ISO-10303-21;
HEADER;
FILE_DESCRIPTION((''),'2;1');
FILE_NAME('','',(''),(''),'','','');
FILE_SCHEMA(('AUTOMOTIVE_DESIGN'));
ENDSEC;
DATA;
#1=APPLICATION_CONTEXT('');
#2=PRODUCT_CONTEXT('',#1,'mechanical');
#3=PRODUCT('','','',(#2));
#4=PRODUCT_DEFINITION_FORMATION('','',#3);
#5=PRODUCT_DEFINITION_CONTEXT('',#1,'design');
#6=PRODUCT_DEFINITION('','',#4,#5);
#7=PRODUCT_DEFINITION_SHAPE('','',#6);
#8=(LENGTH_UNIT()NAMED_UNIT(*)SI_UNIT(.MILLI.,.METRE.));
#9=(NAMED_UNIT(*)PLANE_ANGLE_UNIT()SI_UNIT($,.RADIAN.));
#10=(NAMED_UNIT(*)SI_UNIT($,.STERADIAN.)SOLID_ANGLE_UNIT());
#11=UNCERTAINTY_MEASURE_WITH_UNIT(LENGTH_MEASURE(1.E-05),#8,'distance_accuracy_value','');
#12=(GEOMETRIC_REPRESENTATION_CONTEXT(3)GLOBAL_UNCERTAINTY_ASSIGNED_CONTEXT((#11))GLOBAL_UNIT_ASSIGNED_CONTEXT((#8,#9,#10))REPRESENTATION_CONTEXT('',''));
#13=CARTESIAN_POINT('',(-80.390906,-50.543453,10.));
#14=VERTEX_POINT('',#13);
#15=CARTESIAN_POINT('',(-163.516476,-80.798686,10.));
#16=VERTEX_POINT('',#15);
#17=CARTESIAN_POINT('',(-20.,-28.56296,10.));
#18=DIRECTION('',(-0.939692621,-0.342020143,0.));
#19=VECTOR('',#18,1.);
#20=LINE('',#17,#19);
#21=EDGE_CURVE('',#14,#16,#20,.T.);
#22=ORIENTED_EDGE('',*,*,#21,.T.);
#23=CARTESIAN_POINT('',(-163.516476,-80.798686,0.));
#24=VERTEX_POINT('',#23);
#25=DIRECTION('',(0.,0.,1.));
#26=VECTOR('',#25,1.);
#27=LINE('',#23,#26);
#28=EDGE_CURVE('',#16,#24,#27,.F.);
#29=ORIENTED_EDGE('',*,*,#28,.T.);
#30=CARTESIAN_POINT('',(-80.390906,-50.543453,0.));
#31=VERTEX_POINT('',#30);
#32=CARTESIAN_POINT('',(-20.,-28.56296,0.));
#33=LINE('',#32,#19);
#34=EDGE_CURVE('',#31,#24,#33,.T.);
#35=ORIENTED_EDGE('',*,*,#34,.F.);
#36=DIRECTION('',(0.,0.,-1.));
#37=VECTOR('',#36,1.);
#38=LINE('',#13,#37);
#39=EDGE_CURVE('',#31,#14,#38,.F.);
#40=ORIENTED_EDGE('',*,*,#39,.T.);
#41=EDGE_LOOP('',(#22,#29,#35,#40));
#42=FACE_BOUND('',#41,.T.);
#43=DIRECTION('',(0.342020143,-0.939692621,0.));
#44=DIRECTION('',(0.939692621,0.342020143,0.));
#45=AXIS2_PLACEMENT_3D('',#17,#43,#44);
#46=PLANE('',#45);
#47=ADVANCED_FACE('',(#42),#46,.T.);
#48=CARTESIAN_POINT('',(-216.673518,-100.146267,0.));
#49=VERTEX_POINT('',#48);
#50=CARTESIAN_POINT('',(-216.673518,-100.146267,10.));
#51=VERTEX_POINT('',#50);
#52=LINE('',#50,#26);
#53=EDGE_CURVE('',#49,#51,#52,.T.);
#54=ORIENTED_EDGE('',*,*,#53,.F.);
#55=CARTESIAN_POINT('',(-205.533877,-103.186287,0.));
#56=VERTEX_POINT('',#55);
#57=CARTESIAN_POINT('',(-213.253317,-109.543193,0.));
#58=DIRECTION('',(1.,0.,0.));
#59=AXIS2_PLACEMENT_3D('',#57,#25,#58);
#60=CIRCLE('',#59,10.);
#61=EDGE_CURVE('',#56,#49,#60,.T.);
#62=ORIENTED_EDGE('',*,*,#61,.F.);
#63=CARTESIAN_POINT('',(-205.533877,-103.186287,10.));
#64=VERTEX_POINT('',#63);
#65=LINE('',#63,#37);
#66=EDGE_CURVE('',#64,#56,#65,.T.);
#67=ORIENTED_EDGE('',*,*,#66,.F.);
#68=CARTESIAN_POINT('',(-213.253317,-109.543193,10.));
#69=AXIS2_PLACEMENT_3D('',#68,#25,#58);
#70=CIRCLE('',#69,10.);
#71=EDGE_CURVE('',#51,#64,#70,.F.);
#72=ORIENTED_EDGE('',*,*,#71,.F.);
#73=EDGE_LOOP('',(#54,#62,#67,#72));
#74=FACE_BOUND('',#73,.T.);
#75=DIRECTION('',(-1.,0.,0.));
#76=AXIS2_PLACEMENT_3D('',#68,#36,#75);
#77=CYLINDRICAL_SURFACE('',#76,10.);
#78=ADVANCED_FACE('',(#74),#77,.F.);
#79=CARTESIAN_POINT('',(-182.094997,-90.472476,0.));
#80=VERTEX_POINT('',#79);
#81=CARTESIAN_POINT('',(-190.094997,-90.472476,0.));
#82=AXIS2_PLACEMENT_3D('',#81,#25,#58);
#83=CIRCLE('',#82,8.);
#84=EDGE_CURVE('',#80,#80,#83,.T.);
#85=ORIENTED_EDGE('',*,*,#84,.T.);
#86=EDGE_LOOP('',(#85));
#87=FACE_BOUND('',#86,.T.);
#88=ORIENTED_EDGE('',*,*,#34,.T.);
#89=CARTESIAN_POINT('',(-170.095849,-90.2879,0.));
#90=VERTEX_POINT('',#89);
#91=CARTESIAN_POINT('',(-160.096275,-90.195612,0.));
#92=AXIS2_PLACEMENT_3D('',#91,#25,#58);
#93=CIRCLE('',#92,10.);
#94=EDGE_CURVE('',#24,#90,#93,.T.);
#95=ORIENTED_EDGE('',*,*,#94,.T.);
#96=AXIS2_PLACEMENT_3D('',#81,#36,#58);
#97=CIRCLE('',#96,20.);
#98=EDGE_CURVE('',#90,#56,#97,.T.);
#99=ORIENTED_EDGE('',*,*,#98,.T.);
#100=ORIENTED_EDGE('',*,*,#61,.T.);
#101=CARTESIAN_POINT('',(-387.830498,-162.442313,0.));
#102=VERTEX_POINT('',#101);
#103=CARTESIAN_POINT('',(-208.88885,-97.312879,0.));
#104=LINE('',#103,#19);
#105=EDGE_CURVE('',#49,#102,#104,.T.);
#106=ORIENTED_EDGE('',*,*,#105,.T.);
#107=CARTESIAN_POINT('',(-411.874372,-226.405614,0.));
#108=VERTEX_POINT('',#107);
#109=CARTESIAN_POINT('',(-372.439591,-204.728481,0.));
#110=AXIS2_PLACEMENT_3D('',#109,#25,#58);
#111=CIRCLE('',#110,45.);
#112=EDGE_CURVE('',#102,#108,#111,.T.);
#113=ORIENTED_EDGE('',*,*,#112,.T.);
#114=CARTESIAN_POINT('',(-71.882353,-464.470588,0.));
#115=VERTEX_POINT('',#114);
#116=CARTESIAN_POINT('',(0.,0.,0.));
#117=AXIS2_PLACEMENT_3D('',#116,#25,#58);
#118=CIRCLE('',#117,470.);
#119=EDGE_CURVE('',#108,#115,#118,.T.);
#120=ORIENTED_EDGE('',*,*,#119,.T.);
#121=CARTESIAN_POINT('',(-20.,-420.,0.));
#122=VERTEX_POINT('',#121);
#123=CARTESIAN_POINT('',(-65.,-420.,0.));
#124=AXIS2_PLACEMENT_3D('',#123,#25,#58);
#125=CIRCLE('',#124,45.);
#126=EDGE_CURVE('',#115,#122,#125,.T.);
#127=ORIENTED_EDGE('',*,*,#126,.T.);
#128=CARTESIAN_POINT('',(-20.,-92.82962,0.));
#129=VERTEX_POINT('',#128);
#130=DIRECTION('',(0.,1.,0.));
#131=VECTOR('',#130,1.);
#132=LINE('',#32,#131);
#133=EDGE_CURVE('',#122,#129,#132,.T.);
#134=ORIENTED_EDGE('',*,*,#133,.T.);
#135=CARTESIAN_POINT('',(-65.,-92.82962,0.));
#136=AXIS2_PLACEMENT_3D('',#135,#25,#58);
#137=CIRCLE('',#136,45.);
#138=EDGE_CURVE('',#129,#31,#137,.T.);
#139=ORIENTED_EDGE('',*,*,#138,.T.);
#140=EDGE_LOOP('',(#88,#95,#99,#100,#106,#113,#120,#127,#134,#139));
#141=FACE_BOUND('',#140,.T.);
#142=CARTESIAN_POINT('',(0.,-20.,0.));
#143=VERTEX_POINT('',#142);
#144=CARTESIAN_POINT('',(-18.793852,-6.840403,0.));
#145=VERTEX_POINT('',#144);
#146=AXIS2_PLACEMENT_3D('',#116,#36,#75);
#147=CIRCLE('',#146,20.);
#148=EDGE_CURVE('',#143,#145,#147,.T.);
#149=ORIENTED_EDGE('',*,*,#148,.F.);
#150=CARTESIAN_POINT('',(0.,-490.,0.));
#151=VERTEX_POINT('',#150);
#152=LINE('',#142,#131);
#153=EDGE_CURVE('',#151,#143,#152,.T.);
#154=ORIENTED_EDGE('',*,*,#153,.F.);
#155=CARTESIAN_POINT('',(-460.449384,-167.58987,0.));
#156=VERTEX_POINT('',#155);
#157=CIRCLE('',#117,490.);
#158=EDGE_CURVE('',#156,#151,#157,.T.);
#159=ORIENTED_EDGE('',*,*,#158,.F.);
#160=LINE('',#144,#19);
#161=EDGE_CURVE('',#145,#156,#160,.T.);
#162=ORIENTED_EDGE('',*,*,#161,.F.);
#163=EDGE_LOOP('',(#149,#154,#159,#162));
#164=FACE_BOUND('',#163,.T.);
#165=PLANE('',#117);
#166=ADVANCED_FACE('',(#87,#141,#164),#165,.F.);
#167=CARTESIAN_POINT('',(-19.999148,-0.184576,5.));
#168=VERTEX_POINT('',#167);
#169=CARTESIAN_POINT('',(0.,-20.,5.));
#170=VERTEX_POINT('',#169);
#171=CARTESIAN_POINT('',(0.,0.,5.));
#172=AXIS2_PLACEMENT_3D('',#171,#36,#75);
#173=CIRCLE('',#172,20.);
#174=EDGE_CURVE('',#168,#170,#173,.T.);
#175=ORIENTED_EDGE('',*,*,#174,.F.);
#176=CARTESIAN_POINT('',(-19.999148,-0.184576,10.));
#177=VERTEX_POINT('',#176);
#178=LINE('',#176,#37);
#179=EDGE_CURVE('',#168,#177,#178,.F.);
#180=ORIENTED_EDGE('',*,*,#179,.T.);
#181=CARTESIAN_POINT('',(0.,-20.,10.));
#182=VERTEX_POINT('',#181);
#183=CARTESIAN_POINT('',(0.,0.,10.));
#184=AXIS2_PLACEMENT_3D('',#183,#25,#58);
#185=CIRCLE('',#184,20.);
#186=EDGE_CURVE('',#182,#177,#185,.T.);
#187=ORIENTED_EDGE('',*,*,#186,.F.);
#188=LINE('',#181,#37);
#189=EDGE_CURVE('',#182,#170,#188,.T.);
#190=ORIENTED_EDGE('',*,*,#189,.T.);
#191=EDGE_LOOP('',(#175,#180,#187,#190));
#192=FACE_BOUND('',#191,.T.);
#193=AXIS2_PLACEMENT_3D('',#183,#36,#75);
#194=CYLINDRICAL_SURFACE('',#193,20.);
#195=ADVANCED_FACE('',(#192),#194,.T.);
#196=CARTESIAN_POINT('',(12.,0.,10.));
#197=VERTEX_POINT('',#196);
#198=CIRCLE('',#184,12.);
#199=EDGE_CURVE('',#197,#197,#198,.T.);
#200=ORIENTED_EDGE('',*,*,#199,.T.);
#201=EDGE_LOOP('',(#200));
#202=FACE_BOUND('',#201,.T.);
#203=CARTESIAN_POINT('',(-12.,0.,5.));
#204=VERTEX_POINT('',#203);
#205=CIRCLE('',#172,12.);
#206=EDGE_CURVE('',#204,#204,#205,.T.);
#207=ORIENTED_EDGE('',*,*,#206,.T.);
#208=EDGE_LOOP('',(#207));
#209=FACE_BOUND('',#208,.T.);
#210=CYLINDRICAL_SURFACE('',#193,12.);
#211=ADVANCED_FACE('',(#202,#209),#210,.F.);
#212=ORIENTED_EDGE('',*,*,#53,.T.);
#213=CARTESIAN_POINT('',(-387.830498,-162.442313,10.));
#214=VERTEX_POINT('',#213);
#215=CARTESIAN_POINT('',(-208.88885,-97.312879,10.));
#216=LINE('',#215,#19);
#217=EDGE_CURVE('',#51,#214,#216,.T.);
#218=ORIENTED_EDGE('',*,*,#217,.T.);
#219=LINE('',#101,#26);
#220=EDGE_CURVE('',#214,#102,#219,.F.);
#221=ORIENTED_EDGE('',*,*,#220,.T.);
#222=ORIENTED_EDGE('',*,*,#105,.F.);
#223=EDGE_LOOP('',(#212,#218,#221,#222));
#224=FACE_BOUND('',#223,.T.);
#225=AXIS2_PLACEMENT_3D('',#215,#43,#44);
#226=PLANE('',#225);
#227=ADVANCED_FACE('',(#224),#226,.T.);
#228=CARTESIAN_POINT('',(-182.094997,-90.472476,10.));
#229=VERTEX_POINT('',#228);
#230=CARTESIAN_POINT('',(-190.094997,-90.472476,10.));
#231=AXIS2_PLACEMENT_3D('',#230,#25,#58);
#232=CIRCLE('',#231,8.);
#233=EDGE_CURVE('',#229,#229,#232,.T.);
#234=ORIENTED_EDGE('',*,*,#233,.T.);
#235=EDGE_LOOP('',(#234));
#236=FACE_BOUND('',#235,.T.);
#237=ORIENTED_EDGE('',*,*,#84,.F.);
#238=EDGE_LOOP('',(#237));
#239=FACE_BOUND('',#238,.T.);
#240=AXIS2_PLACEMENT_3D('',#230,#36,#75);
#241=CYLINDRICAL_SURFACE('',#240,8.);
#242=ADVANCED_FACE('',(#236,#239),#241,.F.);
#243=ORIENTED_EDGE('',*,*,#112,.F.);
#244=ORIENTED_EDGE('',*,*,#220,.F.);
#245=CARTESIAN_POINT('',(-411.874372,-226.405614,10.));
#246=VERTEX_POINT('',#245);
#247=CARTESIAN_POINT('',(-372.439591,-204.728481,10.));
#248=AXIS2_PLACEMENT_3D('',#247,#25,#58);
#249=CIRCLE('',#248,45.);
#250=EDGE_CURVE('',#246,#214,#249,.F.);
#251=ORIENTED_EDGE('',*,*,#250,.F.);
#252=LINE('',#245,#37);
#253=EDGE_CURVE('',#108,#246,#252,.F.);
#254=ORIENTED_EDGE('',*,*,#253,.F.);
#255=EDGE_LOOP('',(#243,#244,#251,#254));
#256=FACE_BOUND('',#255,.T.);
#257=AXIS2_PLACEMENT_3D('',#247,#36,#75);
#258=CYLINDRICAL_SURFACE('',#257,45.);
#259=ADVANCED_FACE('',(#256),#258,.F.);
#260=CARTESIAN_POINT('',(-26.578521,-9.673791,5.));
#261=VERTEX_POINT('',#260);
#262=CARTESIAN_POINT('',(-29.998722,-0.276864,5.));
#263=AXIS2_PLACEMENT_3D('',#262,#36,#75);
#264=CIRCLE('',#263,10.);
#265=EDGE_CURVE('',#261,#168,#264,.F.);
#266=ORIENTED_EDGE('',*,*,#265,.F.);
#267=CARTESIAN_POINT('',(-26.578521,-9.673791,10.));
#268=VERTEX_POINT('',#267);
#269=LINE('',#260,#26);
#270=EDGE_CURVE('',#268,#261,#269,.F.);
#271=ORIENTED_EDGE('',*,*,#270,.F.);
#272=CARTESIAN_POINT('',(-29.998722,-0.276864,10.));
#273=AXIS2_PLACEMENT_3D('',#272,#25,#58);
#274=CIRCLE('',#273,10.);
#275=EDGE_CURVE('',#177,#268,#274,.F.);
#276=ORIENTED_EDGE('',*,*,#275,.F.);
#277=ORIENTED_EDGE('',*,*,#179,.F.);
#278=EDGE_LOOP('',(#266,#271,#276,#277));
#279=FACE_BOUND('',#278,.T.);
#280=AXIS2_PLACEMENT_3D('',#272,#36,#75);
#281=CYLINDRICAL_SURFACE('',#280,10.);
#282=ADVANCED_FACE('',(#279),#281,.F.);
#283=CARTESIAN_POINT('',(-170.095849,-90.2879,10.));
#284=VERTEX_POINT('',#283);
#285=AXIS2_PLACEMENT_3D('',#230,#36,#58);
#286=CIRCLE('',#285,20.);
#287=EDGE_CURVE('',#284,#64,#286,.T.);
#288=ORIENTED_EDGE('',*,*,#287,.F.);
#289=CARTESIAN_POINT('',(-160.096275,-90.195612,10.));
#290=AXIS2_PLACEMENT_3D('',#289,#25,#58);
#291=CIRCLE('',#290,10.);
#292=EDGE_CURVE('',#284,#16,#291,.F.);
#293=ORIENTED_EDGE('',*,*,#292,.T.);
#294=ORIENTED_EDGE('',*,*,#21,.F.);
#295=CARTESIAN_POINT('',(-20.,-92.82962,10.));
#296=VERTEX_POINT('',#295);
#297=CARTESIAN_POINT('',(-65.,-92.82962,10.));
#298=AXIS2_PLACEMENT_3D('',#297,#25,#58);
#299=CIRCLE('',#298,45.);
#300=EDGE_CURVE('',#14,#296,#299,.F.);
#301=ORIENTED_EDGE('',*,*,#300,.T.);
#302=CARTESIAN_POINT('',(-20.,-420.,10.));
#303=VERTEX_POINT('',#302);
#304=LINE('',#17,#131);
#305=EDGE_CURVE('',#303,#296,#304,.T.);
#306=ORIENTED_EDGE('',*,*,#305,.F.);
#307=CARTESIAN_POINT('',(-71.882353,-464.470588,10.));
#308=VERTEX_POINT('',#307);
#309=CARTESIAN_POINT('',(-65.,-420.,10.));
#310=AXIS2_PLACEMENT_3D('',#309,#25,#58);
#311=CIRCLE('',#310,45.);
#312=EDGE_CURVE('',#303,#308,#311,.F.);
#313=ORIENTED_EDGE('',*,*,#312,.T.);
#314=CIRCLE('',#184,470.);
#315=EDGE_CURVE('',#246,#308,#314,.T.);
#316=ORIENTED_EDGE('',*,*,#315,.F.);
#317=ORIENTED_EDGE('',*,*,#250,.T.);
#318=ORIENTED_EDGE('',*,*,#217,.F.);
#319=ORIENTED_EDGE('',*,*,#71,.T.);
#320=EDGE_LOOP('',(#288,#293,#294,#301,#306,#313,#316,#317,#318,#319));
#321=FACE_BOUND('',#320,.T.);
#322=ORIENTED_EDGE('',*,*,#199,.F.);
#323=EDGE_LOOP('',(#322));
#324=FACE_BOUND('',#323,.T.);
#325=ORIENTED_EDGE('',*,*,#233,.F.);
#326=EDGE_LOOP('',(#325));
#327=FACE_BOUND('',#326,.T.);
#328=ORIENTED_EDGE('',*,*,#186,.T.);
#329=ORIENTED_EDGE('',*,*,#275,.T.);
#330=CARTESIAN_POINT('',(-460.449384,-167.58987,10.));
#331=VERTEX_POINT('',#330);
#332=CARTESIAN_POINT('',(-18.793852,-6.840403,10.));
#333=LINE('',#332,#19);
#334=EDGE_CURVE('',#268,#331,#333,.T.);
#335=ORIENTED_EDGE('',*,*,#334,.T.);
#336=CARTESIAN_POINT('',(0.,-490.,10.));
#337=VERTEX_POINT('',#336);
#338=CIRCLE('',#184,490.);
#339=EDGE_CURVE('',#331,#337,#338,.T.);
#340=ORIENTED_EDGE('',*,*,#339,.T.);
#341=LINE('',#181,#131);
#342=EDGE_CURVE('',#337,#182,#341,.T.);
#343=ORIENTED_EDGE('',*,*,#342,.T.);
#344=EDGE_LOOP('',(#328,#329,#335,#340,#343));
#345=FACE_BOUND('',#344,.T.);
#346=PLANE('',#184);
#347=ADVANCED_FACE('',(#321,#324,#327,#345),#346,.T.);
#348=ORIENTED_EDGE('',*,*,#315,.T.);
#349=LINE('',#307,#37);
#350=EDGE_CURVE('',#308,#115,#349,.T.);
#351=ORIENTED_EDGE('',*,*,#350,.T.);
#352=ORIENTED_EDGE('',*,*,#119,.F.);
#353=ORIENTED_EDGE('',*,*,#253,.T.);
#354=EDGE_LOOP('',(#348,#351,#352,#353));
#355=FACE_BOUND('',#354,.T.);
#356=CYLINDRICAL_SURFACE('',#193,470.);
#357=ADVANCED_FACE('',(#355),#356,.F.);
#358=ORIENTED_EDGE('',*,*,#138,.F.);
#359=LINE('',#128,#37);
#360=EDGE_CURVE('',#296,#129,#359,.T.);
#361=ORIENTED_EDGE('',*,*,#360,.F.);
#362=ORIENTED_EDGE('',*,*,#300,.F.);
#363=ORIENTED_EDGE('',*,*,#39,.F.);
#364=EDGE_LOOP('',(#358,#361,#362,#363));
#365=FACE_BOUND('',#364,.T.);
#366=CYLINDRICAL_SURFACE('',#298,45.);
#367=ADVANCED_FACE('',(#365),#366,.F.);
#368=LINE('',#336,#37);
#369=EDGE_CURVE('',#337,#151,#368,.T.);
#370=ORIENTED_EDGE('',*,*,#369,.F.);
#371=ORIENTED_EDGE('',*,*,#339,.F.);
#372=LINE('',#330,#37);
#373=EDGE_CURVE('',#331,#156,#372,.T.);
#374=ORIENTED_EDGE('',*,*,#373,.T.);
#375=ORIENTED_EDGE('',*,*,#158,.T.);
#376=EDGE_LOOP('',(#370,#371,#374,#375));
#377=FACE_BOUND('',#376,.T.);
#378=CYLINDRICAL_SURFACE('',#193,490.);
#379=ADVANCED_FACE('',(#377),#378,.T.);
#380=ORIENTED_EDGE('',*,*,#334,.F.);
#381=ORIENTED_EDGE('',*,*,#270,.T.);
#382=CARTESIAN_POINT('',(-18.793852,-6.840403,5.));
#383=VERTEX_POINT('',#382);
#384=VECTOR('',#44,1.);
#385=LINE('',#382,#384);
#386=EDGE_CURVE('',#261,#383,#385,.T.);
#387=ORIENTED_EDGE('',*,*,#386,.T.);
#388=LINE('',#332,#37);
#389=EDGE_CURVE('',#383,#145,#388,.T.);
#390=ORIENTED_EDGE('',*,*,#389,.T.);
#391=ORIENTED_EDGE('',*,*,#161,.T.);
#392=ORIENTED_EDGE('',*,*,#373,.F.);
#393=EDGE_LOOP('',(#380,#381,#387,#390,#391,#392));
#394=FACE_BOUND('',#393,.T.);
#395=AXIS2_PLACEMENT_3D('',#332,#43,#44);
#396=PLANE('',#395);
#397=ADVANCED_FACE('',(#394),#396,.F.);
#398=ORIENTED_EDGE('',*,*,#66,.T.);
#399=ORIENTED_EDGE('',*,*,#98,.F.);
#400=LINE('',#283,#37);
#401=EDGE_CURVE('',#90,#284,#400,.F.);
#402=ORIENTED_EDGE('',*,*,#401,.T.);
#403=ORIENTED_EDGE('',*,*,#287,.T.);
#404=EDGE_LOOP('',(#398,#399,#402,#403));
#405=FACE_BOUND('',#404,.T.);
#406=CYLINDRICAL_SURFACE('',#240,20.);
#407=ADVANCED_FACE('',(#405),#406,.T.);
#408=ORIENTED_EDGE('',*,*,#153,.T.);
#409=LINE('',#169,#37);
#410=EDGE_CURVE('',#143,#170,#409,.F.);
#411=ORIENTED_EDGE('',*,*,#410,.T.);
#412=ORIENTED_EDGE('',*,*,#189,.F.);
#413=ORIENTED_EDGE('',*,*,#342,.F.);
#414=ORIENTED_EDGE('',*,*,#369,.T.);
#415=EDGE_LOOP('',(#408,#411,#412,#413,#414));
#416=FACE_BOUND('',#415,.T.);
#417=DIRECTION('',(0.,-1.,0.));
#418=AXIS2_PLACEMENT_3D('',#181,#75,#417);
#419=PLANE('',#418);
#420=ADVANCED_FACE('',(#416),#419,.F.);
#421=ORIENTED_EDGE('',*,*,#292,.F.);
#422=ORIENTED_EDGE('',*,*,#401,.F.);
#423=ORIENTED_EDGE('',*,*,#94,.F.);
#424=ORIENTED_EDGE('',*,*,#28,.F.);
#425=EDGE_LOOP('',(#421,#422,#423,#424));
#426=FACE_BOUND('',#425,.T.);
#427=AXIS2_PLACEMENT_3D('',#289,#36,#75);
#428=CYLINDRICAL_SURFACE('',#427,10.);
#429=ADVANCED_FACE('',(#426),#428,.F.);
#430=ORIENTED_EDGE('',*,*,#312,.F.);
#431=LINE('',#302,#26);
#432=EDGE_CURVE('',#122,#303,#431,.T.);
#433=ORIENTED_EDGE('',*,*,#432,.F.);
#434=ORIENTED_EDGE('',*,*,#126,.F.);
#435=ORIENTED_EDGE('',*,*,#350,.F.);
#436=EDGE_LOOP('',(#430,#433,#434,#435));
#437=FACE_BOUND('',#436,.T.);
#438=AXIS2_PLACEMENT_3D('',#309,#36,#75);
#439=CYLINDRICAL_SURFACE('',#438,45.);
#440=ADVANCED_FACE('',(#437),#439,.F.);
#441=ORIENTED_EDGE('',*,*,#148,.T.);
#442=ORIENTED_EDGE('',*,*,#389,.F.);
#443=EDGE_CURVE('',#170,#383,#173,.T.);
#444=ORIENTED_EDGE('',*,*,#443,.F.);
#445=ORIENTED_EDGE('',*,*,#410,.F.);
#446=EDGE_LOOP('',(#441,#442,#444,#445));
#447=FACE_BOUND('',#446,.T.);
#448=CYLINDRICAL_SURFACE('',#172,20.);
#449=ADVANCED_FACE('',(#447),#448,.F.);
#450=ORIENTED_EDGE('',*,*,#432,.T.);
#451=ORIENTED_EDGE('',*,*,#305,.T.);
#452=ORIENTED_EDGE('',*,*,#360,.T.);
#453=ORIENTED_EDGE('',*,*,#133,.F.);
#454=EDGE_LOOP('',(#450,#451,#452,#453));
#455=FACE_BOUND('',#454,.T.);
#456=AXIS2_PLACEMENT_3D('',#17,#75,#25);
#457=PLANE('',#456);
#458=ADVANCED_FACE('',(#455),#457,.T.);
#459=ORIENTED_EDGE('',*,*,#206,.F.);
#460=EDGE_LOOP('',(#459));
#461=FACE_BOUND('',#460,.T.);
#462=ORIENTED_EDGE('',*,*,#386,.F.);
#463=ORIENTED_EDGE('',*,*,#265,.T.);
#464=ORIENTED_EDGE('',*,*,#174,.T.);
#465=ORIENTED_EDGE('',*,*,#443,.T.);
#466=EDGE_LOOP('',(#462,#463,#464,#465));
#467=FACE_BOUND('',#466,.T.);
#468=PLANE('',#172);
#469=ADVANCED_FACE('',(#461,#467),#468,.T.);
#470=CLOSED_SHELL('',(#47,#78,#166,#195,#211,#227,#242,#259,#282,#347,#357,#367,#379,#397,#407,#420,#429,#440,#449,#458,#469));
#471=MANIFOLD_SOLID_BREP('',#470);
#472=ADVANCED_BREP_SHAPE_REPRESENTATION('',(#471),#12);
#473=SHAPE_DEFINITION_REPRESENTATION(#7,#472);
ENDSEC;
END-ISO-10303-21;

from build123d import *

# Parameters (mm, degrees)
SZKIC1_R                    = 12
SZKIC1_R_2                  = 8
DODANIE_WYCI_GNI_CIE1_DEPTH = 10
SZKIC2_R                    = 20
WYTNIJ_WYCI_GNI_CIE1_DEPTH  = 5
ZAOKR_GLENIE1_R             = 45
ZAOKR_GLENIE2_R             = 10


with BuildPart() as part:
    # Szkic1 → Dodanie-wyciągnięcie1 (new body)
    with BuildSketch(Plane.XY):
        with BuildLine():
            Line((0, -20), (0, -490))
            ThreePointArc((0, -490), (-281.052453812, -401.384501702), (-460.449384185, -167.58987023))
            Line((-460.449384185, -167.58987023), (-18.793852416, -6.840402867))
            ThreePointArc((-18.793852416, -6.840402867), (11.471528727, 16.383040886), (0, -20))
        make_face()
        Circle(SZKIC1_R, mode=Mode.SUBTRACT)
        with Locations((-190.094997116, -90.472476083)):
            Circle(SZKIC1_R_2, mode=Mode.SUBTRACT)
        with BuildLine():
            Line((-20, -28.562960135), (-20, -469.574275275))
            ThreePointArc((-20, -469.574275275), (-269.580925085, -385.001460816), (-434.41507852, -179.397713347))
            Line((-434.41507852, -179.397713347), (-208.888849532, -97.312878949))
            ThreePointArc((-208.888849532, -97.312878949), (-183.254594249, -109.266328498), (-171.3011447, -83.632073216))
            Line((-171.3011447, -83.632073216), (-20, -28.562960135))
        make_face(mode=Mode.SUBTRACT)
    extrude(amount=DODANIE_WYCI_GNI_CIE1_DEPTH)

    # Szkic2 → Wytnij-wyciągnięcie1 (cut)
    with BuildSketch(Plane(origin=(0, 0, 0), x_dir=(-1, 0, 0), z_dir=(0, 0, -1))):
        Circle(SZKIC2_R)
    extrude(amount=-WYTNIJ_WYCI_GNI_CIE1_DEPTH, mode=Mode.SUBTRACT)

    # Zaokrąglenie1
    zaokr_glenie1_edges = [part.edges().sort_by_distance(p)[0] for p in [
        (-434.41507852, -179.397713347, 5),
        (-20, -469.574275275, 5),
        (-20, -28.562960135, 5),
    ]]
    fillet(zaokr_glenie1_edges, radius=ZAOKR_GLENIE1_R)

    # Zaokrąglenie2
    zaokr_glenie2_edges = [part.edges().sort_by_distance(p)[0] for p in [
        (-171.3011447, -83.632073216, 5),
        (-208.888849532, -97.312878949, 5),
        (-18.793852416, -6.840402867, 7.5),
    ]]
    fillet(zaokr_glenie2_edges, radius=ZAOKR_GLENIE2_R)


solid = part.part
